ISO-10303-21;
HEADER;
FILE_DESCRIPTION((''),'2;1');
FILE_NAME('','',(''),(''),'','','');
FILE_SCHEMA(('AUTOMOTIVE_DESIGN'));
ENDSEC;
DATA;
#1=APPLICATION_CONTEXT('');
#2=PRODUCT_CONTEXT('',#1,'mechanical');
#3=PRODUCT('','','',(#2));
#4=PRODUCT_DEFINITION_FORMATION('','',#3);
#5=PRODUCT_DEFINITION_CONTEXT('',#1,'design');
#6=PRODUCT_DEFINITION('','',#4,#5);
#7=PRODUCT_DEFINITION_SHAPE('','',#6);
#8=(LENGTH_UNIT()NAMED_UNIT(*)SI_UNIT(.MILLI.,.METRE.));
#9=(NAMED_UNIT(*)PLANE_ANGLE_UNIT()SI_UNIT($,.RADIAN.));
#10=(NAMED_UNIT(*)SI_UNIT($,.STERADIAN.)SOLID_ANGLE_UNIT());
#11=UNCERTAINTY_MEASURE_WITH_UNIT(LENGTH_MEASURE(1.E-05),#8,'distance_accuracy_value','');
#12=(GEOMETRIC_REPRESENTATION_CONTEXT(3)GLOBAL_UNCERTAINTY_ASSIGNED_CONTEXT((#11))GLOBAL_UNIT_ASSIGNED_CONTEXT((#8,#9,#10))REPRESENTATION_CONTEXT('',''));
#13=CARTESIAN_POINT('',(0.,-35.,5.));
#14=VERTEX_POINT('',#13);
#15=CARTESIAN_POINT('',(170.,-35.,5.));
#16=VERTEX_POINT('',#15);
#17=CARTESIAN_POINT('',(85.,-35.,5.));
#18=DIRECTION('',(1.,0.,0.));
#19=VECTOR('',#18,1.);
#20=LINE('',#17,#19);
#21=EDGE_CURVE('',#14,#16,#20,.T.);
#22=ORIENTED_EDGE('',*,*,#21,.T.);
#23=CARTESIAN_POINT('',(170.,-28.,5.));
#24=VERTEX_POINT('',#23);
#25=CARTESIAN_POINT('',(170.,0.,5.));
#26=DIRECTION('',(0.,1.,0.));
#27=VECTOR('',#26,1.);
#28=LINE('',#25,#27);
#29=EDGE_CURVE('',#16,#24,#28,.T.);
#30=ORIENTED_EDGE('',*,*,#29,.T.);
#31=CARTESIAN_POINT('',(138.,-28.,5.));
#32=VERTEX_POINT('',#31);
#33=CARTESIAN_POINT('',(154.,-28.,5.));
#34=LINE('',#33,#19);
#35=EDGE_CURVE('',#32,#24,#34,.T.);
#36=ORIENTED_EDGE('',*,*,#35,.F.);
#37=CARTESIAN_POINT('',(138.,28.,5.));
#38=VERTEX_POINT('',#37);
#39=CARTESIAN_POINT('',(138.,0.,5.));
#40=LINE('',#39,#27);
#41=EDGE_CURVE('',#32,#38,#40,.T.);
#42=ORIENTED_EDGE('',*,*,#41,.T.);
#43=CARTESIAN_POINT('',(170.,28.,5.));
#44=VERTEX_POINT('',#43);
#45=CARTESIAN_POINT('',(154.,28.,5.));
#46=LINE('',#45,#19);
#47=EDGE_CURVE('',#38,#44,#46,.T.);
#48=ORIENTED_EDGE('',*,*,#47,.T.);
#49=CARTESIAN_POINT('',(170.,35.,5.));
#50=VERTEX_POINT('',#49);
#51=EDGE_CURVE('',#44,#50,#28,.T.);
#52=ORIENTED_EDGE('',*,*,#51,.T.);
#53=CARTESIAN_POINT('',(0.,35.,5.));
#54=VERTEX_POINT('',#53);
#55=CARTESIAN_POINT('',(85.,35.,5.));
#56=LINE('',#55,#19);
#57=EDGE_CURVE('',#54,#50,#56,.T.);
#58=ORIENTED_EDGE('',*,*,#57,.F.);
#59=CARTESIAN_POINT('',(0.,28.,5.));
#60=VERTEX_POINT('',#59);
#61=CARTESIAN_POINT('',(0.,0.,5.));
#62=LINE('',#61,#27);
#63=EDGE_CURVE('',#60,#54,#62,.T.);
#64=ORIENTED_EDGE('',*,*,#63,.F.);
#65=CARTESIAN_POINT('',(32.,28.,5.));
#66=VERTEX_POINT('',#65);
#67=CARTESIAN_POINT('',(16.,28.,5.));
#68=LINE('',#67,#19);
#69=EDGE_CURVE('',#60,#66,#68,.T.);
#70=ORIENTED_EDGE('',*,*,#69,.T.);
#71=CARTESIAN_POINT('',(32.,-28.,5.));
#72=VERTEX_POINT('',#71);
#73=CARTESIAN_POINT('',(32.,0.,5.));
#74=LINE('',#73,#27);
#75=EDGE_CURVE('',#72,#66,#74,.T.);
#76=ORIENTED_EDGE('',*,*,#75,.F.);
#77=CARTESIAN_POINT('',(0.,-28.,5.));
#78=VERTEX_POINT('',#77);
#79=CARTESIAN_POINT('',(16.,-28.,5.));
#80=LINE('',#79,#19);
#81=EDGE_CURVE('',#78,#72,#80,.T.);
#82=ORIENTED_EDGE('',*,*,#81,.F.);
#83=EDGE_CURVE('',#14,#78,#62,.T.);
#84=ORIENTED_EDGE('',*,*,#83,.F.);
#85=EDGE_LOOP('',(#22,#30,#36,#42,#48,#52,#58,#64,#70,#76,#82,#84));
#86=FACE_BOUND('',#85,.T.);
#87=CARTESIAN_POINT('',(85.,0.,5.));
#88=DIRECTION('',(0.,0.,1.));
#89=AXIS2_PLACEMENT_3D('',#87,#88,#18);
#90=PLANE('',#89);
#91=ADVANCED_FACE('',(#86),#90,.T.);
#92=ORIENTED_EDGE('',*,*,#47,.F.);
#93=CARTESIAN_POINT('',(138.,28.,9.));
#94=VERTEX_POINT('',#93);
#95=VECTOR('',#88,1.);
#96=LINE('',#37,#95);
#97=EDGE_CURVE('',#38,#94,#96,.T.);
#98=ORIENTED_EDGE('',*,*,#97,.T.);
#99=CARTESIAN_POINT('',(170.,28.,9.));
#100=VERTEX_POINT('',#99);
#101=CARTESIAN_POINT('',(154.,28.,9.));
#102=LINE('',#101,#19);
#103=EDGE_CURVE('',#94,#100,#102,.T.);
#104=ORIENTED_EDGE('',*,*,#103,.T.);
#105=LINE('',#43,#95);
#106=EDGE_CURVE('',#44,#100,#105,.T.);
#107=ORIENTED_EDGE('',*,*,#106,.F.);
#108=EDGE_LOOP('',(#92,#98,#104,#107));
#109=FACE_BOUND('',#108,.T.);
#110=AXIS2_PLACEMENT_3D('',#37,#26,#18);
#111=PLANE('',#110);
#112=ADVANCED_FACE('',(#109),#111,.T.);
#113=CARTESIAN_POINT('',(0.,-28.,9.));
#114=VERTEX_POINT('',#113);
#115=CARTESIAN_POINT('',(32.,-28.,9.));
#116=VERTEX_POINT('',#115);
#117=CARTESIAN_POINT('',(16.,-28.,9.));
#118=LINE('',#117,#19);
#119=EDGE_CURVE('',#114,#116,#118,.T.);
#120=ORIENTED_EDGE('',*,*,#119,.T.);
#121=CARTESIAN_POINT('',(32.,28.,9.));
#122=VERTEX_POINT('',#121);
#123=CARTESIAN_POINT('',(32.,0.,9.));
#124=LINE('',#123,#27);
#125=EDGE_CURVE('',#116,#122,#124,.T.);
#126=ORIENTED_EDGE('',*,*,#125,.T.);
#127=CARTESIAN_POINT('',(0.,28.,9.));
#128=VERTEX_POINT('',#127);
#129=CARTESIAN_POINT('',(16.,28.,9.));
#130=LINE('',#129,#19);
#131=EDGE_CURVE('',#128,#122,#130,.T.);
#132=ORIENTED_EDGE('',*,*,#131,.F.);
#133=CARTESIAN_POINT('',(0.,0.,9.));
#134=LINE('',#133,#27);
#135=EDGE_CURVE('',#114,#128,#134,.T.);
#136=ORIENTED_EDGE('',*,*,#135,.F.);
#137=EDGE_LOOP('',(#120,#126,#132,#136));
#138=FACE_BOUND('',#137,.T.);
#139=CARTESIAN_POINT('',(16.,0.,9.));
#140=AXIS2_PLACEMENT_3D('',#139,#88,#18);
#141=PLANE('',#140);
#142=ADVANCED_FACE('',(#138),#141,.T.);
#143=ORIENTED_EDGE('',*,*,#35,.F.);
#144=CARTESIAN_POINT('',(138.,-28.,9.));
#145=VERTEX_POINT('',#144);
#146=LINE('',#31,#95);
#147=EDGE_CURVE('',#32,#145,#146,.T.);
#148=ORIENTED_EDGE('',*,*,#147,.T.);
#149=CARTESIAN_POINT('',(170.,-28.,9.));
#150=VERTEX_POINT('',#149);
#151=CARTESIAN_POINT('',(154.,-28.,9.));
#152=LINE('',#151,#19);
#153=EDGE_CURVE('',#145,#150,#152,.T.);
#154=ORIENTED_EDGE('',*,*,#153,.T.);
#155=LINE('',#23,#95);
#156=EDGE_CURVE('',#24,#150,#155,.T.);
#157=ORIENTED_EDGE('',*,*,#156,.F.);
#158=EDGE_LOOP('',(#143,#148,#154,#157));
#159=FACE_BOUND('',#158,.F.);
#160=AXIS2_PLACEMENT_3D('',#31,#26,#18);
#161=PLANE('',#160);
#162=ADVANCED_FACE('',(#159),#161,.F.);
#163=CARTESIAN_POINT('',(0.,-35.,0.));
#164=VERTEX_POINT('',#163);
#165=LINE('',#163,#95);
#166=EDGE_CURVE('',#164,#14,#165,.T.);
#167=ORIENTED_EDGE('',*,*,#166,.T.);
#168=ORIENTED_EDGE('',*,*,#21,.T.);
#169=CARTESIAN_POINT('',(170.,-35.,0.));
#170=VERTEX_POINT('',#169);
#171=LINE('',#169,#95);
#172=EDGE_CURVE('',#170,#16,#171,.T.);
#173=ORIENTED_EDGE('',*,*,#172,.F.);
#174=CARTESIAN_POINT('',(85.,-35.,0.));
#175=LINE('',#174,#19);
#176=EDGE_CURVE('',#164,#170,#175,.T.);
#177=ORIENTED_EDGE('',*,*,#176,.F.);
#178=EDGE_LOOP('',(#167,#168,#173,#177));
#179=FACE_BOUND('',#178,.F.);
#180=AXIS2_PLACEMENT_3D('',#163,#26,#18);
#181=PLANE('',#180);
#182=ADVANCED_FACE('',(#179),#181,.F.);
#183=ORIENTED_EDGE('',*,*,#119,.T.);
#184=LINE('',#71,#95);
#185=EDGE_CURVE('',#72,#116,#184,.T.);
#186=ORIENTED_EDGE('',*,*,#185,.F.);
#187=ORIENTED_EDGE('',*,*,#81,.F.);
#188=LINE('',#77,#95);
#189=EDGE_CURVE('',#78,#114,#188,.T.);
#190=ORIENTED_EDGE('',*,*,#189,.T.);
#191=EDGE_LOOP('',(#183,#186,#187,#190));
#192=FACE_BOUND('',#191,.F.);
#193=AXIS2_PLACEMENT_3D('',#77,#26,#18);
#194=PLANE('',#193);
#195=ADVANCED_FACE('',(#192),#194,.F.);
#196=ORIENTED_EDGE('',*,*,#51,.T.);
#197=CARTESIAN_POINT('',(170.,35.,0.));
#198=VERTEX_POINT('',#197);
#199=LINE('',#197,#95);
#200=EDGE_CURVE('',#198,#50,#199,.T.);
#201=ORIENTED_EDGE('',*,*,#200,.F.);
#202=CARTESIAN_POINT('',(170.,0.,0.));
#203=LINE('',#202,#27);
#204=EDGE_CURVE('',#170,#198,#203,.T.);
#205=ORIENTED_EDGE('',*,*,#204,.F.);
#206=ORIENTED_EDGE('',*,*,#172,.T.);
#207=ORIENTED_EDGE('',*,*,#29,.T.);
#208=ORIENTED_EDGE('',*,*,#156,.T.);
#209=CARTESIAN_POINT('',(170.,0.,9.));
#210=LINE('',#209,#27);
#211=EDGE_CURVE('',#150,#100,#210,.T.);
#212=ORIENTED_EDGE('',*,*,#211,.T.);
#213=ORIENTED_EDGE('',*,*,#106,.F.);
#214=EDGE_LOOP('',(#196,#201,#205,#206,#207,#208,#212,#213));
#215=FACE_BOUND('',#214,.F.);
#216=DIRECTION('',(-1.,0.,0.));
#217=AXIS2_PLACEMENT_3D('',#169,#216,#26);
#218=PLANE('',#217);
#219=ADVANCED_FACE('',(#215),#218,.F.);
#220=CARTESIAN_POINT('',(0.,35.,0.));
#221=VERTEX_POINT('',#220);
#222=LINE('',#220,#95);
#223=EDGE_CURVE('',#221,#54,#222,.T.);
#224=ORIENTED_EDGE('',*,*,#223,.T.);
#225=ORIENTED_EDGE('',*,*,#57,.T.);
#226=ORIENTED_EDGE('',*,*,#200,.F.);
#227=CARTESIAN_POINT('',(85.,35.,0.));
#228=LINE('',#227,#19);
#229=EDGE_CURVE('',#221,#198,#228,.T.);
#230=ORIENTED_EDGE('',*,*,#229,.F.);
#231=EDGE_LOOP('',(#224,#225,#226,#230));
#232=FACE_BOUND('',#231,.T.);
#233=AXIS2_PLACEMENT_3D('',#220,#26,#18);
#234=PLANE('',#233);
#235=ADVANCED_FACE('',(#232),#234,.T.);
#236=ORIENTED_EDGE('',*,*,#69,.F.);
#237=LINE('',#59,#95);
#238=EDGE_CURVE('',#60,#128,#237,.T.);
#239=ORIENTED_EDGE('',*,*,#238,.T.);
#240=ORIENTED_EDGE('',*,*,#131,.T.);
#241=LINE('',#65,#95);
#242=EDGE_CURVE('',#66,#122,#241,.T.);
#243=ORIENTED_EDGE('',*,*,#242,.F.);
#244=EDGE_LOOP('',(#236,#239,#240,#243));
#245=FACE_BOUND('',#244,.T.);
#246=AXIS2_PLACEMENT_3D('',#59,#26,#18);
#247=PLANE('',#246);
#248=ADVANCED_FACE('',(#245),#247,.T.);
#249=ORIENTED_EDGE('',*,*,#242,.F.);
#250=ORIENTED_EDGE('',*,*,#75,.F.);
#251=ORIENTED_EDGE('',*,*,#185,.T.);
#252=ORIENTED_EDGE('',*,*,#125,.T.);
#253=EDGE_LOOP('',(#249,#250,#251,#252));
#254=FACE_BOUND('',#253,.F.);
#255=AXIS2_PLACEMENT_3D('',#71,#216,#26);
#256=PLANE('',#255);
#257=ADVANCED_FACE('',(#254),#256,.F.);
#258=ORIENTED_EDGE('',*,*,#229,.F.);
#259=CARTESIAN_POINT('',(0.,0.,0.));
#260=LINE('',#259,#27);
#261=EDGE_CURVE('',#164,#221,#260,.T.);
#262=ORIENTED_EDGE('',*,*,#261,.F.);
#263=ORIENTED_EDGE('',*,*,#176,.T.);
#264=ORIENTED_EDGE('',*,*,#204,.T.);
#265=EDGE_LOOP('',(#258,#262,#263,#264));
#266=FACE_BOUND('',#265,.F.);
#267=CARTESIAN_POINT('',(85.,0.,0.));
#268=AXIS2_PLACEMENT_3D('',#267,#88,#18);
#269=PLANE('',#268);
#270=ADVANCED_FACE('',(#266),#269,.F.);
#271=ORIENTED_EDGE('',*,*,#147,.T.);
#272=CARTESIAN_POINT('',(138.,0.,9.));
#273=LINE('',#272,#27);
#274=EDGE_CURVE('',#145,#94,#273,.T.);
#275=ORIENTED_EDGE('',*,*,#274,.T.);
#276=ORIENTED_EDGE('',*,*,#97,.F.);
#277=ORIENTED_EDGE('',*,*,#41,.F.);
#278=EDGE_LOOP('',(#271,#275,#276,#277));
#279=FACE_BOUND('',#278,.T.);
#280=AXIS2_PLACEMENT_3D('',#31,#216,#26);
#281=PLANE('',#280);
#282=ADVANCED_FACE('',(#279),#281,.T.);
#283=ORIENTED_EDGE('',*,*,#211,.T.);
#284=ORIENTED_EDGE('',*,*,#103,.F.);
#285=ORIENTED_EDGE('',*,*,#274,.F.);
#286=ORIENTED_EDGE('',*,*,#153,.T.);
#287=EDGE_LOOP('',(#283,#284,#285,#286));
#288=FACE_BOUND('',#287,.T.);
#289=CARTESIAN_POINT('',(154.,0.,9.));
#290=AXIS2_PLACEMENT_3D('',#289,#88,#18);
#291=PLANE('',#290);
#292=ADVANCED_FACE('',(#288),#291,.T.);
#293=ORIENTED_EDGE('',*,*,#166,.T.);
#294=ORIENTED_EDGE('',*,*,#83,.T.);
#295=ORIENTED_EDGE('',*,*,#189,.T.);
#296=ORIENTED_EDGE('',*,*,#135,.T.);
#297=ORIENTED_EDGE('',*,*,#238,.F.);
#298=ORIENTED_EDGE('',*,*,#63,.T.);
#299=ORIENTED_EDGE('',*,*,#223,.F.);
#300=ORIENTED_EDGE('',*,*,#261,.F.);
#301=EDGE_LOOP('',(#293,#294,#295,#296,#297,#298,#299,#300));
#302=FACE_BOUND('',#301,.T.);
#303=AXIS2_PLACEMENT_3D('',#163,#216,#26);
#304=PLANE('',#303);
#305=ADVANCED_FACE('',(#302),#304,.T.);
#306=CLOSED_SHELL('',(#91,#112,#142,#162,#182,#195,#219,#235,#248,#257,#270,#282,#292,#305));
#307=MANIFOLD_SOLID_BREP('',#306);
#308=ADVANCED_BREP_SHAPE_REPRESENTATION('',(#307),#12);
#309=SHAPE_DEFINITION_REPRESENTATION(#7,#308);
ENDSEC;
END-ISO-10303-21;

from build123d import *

# Parameters (mm, degrees)
BOX013_W     = 32
BOX013_H     = 56
BOX013_DEPTH = 4
BOX002_W     = 170
BOX002_H     = 70
BOX002_DEPTH = 5


with BuildPart() as soporte_motor:
    # Box013 → Box013 (new body)
    with BuildSketch(Plane(origin=(0, -28, 5), x_dir=(1, 0, 0), z_dir=(0, 0, 1))):
        with Locations((16, 28)):
            Rectangle(BOX013_W, BOX013_H)
    extrude(amount=BOX013_DEPTH)


with BuildPart() as plancha_abajo:
    # Box002 → Box002 (new body)
    with BuildSketch(Plane(origin=(0, -35, 0), x_dir=(1, 0, 0), z_dir=(0, 0, 1))):
        with Locations((85, 35)):
            Rectangle(BOX002_W, BOX002_H)
    extrude(amount=BOX002_DEPTH)


with BuildPart() as base:
    # Link011 base: copy of soporte motor
    add(soporte_motor.part)


with BuildPart() as base_1:
    # Link011 placement: moved
    add(base.part.moved(Location((138, 0, 0))))

    # Fusion008: union soporte motor, Plancha abajo
    add(soporte_motor.part)
    add(plancha_abajo.part)


solid = base_1.part
